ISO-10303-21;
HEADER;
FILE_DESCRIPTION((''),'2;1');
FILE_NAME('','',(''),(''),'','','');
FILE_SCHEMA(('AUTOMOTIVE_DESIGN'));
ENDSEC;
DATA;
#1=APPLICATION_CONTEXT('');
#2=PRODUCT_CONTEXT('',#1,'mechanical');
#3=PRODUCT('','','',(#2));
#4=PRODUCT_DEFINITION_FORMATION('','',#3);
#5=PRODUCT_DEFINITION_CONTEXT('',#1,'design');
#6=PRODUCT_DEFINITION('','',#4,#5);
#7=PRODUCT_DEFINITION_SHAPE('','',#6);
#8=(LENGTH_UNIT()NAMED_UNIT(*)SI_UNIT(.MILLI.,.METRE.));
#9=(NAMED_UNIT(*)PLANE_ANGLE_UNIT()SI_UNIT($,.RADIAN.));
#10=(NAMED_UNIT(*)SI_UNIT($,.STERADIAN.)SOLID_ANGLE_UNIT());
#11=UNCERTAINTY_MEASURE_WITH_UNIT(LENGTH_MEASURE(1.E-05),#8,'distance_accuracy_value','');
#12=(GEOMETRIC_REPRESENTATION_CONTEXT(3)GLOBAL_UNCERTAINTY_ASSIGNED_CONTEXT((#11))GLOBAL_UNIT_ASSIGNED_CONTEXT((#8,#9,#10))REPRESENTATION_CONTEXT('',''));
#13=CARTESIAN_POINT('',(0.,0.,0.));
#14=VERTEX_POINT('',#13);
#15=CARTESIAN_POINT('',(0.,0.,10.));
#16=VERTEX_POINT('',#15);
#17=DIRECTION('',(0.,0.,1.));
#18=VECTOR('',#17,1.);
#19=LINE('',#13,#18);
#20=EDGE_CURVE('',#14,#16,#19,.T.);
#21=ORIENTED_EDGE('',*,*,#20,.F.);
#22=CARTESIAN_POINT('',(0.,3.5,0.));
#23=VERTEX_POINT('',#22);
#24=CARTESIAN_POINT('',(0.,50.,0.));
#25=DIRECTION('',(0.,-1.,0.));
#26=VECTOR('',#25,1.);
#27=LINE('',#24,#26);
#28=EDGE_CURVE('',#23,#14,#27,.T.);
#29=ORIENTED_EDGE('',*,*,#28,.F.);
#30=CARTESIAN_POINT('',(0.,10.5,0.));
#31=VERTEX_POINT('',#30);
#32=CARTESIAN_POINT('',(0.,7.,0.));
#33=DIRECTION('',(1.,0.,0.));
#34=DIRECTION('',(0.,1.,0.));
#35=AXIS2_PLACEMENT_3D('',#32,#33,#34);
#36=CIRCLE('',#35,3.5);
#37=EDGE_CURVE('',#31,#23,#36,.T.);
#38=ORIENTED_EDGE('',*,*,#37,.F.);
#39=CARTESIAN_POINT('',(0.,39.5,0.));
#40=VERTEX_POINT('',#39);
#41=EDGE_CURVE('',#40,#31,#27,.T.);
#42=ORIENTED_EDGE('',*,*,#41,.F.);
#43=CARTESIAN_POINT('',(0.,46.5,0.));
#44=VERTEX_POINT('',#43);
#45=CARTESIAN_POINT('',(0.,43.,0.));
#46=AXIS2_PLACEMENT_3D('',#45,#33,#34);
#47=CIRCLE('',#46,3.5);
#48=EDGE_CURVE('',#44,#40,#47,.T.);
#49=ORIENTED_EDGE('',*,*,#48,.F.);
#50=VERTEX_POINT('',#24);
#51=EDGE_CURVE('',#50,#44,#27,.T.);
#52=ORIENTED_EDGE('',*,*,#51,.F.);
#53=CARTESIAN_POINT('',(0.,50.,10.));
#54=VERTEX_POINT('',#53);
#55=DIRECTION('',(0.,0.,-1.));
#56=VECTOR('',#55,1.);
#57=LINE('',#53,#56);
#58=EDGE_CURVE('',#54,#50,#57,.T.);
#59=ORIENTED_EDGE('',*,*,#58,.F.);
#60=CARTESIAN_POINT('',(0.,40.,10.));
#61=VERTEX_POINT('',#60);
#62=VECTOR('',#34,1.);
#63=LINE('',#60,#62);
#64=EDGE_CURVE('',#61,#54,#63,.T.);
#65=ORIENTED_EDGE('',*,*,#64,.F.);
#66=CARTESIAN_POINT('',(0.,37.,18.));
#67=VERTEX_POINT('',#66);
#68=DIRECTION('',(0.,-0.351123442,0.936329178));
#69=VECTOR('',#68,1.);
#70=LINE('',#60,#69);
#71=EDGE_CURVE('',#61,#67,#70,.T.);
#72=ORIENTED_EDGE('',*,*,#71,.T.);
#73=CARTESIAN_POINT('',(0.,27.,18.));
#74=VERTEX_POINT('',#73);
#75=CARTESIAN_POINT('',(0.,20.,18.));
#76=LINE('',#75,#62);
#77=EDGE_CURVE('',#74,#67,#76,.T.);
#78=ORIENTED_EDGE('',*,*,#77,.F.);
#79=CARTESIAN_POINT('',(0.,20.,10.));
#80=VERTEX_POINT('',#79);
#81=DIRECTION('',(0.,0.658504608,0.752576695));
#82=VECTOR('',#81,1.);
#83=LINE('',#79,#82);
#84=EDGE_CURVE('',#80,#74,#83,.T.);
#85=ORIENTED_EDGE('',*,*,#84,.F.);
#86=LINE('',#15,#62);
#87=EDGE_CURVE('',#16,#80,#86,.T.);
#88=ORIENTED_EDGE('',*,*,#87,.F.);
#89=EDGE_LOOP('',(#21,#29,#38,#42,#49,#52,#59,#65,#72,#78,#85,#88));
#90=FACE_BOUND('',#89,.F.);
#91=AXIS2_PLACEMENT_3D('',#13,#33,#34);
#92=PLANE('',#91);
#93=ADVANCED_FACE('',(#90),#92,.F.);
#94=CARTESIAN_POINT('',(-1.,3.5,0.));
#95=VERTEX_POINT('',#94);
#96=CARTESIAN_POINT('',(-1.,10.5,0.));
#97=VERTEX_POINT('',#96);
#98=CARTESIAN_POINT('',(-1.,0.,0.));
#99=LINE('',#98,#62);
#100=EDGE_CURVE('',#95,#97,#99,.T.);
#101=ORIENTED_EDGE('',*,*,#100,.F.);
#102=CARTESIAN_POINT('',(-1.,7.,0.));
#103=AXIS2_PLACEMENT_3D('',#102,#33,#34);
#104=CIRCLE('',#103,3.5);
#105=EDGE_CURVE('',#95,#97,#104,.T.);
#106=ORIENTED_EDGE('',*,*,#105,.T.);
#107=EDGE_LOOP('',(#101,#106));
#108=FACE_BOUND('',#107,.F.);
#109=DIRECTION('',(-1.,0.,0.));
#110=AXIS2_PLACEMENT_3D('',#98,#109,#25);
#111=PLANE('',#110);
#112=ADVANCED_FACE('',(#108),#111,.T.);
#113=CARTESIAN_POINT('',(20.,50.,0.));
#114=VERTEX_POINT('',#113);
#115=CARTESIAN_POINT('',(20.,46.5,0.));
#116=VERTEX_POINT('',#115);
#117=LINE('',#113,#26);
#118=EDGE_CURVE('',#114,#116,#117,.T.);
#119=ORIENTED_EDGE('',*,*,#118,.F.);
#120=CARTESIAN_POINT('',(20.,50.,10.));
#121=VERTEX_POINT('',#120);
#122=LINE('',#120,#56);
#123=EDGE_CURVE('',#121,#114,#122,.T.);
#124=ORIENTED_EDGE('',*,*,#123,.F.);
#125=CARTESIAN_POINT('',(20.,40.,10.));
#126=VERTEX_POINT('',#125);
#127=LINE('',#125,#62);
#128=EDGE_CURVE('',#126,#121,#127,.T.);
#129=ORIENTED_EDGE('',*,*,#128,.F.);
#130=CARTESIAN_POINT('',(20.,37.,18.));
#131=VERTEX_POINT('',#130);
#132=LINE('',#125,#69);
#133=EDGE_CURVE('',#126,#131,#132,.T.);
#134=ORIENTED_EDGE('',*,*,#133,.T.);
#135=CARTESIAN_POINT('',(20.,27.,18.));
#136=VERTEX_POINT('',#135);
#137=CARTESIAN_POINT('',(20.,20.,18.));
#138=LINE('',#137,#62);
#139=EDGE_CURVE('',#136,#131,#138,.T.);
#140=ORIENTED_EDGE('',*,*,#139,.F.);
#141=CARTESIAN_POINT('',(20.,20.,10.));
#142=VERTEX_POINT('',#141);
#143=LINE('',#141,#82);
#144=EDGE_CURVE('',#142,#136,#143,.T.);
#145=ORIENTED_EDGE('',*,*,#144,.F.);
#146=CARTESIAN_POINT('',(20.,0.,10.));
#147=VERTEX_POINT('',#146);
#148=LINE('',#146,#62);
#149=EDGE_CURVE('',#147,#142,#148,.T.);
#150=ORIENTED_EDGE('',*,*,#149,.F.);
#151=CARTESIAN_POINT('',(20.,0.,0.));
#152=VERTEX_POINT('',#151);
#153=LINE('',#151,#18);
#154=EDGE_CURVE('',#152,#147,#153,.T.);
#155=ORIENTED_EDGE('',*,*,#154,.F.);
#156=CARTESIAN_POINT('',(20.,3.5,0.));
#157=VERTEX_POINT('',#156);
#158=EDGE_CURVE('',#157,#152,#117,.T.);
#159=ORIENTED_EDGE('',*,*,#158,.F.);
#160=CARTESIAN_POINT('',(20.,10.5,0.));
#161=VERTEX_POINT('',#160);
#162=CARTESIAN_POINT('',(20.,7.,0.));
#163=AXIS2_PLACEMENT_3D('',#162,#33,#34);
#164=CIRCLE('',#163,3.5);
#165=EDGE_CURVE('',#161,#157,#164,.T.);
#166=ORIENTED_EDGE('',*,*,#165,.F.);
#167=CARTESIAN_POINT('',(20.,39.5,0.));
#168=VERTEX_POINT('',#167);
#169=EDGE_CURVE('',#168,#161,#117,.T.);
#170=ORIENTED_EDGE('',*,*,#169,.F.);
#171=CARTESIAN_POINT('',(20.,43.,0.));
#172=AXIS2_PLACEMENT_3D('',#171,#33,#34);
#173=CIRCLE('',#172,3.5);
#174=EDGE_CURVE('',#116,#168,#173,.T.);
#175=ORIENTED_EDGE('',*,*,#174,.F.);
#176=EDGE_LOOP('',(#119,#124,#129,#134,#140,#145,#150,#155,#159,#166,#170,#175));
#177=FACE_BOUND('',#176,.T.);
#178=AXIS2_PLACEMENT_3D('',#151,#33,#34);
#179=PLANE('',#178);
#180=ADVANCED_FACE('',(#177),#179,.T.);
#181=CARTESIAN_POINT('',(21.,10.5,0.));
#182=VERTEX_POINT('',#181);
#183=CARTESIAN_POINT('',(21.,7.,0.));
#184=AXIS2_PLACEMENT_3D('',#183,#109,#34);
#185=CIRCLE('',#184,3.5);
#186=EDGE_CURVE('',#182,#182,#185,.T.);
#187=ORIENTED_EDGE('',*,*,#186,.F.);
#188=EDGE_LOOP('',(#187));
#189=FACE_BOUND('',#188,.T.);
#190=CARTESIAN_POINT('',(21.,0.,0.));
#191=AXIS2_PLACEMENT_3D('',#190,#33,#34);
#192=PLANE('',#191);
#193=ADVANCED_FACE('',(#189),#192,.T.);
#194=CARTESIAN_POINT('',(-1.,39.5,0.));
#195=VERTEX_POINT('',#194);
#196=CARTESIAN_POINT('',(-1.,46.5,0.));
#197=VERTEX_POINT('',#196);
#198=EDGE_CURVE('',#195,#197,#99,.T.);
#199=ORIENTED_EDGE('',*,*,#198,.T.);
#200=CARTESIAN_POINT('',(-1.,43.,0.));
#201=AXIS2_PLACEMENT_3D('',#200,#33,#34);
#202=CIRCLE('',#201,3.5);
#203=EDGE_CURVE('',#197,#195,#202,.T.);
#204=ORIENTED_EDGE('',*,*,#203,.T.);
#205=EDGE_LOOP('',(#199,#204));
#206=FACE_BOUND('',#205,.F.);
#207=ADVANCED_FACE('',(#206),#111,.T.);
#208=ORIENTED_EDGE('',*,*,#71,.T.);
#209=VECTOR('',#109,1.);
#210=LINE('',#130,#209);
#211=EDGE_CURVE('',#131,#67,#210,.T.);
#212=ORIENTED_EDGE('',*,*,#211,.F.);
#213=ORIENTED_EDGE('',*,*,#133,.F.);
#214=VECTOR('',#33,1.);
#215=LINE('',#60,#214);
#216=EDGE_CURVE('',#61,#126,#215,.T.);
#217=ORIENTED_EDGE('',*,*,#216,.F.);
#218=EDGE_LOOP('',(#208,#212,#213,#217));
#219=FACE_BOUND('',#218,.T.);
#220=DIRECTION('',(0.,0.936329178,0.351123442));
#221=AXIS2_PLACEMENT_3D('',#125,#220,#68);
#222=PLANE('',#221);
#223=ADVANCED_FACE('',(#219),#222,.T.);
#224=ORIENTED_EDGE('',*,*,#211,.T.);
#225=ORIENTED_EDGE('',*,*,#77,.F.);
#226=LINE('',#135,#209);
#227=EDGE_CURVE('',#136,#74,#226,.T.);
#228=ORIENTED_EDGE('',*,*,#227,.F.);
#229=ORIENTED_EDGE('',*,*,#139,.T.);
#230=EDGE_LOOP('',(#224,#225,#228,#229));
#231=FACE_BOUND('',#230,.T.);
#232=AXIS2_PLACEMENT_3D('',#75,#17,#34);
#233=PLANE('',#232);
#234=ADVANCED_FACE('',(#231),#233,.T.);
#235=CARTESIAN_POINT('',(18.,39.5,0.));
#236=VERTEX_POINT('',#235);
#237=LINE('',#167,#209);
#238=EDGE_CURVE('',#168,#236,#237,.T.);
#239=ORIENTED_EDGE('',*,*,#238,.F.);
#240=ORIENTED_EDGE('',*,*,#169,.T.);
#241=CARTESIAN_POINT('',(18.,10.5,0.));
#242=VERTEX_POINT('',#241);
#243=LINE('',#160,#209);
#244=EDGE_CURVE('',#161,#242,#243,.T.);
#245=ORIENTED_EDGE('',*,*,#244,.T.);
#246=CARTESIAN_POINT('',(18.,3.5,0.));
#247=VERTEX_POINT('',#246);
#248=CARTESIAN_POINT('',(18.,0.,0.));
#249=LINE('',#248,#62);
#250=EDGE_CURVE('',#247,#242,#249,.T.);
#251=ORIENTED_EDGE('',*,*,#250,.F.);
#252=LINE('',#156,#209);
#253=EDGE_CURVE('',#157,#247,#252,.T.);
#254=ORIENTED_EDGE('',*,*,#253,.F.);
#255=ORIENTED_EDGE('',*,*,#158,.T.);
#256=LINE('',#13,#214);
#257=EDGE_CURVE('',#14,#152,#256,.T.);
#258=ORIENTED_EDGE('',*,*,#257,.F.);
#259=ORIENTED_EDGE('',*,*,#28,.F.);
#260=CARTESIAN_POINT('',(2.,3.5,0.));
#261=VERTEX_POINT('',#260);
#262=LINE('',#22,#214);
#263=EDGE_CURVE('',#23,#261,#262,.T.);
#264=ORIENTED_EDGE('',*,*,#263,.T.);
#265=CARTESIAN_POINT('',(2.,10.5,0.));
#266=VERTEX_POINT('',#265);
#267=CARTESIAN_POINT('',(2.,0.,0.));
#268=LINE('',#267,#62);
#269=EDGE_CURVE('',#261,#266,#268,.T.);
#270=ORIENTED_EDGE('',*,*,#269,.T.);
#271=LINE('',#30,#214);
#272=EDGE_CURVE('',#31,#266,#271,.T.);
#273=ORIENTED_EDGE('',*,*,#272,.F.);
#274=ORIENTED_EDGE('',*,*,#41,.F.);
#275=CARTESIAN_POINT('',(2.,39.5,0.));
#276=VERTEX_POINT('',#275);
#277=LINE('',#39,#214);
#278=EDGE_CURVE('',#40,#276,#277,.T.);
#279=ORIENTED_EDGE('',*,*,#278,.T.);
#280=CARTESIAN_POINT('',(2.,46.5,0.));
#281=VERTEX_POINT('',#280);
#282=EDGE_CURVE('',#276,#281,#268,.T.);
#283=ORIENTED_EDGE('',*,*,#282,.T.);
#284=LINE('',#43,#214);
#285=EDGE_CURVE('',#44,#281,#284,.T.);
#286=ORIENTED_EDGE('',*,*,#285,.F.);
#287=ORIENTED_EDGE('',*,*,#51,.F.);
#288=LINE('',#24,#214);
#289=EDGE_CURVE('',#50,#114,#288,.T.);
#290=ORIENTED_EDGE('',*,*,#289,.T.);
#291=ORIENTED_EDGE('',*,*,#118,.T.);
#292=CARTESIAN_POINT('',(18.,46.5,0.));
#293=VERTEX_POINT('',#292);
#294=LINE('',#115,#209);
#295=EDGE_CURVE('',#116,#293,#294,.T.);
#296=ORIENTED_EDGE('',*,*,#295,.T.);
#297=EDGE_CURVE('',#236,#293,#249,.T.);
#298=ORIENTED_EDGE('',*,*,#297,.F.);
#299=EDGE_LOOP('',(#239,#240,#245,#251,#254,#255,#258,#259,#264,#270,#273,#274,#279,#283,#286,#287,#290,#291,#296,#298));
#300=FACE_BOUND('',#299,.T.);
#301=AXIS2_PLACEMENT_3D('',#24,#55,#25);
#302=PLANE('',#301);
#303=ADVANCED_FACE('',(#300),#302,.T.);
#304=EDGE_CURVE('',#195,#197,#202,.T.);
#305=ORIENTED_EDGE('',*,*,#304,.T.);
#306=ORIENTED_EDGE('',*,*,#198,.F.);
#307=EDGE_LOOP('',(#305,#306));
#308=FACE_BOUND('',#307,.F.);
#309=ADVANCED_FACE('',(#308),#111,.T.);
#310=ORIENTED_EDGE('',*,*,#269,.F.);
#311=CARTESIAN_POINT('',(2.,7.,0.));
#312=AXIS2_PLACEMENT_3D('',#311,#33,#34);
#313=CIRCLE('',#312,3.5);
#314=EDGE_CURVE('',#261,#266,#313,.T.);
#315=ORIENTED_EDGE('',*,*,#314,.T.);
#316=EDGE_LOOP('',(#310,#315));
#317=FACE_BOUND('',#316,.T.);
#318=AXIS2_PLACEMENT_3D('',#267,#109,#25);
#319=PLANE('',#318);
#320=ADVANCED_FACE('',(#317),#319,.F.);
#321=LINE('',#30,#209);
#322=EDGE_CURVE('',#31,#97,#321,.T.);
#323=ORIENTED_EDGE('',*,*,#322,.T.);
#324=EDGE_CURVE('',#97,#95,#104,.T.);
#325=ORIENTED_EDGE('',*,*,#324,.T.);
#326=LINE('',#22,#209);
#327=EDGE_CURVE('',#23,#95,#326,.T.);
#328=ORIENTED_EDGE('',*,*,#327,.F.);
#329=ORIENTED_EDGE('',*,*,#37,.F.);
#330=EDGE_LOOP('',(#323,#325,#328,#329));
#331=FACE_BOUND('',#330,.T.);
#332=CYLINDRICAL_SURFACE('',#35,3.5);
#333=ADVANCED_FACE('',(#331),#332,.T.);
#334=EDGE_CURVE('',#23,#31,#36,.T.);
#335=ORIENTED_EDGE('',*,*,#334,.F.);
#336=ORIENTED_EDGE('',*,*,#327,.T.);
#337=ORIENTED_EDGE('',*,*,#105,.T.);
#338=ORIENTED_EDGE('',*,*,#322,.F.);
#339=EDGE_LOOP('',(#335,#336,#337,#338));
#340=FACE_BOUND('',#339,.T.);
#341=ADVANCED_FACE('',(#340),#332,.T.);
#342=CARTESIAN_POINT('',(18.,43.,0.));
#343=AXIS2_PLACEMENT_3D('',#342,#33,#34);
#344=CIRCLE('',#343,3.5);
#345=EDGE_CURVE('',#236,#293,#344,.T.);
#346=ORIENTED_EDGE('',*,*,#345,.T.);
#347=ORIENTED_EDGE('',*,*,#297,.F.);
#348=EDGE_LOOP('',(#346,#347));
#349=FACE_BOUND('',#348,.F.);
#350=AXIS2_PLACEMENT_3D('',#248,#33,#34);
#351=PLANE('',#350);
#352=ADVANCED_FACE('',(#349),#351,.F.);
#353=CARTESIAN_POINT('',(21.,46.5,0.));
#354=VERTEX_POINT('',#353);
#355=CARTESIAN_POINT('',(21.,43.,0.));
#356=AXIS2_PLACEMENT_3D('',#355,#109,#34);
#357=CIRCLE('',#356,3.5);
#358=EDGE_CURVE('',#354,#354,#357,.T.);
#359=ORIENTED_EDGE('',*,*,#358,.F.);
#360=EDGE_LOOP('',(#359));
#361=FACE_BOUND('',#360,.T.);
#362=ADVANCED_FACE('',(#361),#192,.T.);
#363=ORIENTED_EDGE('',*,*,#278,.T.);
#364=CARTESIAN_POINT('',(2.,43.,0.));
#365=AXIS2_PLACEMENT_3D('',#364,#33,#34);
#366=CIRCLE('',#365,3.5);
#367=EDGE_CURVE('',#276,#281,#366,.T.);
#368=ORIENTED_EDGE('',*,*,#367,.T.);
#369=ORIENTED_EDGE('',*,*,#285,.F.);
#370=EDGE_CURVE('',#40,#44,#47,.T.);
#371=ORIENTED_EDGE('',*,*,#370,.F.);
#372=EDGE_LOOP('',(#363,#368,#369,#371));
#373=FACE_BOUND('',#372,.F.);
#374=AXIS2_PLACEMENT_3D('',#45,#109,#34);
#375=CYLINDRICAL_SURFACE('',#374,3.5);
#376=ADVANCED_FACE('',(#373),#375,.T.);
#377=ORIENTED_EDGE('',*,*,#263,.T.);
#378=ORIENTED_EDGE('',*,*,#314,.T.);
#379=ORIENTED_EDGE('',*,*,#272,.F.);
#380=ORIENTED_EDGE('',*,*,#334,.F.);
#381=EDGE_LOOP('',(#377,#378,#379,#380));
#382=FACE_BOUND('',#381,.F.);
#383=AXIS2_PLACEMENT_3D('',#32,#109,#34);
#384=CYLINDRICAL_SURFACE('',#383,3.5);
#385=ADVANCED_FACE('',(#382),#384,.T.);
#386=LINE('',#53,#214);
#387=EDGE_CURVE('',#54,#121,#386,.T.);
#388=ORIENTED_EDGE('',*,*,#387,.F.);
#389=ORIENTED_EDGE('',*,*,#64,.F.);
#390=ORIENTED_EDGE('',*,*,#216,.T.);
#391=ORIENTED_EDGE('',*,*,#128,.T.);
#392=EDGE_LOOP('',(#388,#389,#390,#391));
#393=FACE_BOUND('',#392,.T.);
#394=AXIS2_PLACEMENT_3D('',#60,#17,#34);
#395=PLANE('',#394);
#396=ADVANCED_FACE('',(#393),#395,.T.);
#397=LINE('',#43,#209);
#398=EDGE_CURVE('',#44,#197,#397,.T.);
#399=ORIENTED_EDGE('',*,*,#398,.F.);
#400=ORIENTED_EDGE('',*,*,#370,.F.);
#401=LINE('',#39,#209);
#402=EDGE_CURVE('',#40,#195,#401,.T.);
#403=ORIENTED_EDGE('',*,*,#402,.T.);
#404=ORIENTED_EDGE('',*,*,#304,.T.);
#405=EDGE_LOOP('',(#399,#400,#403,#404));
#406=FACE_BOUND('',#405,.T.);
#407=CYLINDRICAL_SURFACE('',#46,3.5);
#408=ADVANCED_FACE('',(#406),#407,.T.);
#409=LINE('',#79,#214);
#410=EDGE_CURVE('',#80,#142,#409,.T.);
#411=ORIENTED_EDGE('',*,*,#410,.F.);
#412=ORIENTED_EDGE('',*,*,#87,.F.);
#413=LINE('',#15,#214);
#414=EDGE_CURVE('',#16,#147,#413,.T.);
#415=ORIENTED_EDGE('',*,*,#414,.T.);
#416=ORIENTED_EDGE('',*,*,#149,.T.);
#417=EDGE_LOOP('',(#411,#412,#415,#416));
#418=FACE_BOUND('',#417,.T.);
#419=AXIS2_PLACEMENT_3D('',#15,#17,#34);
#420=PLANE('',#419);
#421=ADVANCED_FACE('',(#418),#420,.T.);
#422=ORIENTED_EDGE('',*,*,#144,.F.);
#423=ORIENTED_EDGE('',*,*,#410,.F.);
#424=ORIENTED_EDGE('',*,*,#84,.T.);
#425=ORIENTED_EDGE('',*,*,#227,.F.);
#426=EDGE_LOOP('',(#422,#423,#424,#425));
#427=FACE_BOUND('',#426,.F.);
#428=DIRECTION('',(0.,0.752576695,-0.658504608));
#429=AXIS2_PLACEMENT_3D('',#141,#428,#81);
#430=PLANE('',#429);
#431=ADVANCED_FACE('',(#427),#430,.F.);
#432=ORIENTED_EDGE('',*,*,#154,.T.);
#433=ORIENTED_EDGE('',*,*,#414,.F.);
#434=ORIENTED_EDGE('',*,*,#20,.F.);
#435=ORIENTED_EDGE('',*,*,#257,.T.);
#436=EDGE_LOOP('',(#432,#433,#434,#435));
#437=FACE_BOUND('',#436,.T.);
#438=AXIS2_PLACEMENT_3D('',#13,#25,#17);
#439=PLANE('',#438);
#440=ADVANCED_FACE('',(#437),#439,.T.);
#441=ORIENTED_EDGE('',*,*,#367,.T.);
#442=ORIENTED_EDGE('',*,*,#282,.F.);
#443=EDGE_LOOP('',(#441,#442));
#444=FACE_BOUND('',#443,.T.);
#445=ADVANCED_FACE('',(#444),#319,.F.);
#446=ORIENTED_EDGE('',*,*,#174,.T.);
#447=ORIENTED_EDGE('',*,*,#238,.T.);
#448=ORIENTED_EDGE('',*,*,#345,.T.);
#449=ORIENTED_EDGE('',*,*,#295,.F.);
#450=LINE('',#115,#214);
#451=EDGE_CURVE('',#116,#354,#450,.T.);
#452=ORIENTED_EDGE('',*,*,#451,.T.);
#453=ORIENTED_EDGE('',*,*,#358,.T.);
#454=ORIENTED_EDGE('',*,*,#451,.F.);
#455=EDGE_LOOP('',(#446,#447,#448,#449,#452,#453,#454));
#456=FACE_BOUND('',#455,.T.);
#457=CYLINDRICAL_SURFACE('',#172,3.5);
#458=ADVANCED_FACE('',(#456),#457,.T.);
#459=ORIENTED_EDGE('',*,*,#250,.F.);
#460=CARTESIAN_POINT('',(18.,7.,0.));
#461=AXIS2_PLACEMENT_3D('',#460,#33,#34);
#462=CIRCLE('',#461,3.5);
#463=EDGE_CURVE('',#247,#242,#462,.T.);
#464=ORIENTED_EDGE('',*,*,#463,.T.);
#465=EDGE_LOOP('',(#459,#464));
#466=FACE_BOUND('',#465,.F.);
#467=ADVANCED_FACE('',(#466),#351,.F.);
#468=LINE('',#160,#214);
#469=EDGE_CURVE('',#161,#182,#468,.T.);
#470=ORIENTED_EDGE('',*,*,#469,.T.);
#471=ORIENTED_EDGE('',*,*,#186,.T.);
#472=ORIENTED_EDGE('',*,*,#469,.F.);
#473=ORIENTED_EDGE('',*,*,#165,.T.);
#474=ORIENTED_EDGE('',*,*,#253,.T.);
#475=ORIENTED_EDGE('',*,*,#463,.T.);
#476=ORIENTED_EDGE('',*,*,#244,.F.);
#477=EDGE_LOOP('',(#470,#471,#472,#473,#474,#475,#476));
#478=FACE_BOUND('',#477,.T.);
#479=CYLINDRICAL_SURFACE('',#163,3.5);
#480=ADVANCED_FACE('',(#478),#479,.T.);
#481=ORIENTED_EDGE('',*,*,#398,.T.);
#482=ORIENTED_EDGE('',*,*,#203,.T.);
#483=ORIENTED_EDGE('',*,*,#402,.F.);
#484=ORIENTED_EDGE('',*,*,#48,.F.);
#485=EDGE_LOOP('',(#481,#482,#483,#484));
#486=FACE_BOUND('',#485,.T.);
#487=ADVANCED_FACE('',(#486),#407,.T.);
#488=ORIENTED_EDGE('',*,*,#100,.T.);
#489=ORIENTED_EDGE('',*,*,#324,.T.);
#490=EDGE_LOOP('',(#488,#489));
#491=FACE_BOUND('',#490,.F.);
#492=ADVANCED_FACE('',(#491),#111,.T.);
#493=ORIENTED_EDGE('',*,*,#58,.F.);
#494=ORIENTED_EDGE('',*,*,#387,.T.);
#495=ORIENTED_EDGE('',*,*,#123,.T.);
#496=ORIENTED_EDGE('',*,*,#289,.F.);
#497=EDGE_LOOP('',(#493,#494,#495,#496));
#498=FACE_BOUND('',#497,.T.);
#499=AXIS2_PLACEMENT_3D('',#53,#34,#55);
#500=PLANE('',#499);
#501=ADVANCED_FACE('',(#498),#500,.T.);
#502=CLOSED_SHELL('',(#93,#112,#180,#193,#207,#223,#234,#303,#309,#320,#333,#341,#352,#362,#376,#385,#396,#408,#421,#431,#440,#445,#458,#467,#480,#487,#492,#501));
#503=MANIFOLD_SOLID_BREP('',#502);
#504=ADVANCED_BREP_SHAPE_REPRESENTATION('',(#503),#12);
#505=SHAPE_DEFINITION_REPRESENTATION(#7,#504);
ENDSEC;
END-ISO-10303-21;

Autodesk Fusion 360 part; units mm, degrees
sketch "スケッチ1" plane through (0, 0, 0) normal (1, 0, 0) x (0, 1, 0)
  line L0 (0, 0) -> (0, 10)
  line L1 (0, 10) -> (20, 10)
  line L2 (20, 10) -> (20, 18)
  line L3 (20, 18) -> (40, 18)
  line L4 (40, 18) -> (40, 10)
  line L5 (40, 10) -> (50, 10)
  line L6 (50, 10) -> (50, 0)
  line L7 (50, 0) -> (0, 0)
  dimension "d1" = 10
  dimension "d2" = 10
  dimension "d3" = 20
  dimension "d4" = 8
  dimension "d5" = 10
  dimension "d6" = 20
extrude "押し出し1" add sketch "スケッチ1" along normal blind 20
sketch "スケッチ2" plane through (20, 0, 0) normal (1, 0, 0) x (0, 1, 0)
  line L0 (50, 0) -> (50, 10)
  line L1 (50, 10) -> (40, 10)
  line L2 (40, 10) -> (40, 18)
  line L3 (40, 18) -> (20, 18)
  line L4 (20, 18) -> (20, 10)
  line L5 (20, 10) -> (0, 10)
  line L6 (0, 10) -> (0, 0)
  line L7 (0, 0) -> (50, 0)
  circle A0 centre (7, 0) radius 3.5
  circle A1 centre (43, 0) radius 3.5
  dimension "d9" = 7
  dimension "d10" = 7
  dimension "d11" = 7
  dimension "d12" = 7
extrude "押し出し2" add sketch "スケッチ2" along normal blind 1 and the other way blind 2 contours L7 A1 | L7 A1 | L7 A0 | L7 A0
ref_plane "作業平面1" through (10, 25, 9) normal (1, 0, 0) x (0, 0, -1)
mirror "ミラー1" about plane through (10, 25, 9) normal (1, 0, 0) of "押し出し2"
sketch "スケッチ3" plane through (20, 0, 0) normal (1, 0, 0) x (0, 1, 0)
  arc A0 (46.5, 0) -> (39.5, 0) centre (43, 0) ccw
  line L0 (46.5, 0) -> (50, 0)
  line L1 (50, 0) -> (50, 10)
  line L2 (50, 10) -> (40, 10)
  line L3 (40, 10) -> (40, 18)
  line L4 (40, 18) -> (20, 18)
  line L5 (20, 18) -> (20, 10)
  line L6 (20, 10) -> (0, 10)
  line L7 (0, 10) -> (0, 0)
  line L8 (0, 0) -> (3.5, 0)
  arc A1 (10.5, 0) -> (3.5, 0) centre (7, 0) ccw
  line L9 (10.5, 0) -> (39.5, 0)
  line L10 (20, 10) -> (27, 18)
  line L11 (40, 10) -> (37, 18)
  dimension "d19" = 7
  dimension "d20" = 3
extrude "押し出し3" cut sketch "スケッチ3" against normal blind 20 contours L3 L4 L11 | L4 L5 L10
